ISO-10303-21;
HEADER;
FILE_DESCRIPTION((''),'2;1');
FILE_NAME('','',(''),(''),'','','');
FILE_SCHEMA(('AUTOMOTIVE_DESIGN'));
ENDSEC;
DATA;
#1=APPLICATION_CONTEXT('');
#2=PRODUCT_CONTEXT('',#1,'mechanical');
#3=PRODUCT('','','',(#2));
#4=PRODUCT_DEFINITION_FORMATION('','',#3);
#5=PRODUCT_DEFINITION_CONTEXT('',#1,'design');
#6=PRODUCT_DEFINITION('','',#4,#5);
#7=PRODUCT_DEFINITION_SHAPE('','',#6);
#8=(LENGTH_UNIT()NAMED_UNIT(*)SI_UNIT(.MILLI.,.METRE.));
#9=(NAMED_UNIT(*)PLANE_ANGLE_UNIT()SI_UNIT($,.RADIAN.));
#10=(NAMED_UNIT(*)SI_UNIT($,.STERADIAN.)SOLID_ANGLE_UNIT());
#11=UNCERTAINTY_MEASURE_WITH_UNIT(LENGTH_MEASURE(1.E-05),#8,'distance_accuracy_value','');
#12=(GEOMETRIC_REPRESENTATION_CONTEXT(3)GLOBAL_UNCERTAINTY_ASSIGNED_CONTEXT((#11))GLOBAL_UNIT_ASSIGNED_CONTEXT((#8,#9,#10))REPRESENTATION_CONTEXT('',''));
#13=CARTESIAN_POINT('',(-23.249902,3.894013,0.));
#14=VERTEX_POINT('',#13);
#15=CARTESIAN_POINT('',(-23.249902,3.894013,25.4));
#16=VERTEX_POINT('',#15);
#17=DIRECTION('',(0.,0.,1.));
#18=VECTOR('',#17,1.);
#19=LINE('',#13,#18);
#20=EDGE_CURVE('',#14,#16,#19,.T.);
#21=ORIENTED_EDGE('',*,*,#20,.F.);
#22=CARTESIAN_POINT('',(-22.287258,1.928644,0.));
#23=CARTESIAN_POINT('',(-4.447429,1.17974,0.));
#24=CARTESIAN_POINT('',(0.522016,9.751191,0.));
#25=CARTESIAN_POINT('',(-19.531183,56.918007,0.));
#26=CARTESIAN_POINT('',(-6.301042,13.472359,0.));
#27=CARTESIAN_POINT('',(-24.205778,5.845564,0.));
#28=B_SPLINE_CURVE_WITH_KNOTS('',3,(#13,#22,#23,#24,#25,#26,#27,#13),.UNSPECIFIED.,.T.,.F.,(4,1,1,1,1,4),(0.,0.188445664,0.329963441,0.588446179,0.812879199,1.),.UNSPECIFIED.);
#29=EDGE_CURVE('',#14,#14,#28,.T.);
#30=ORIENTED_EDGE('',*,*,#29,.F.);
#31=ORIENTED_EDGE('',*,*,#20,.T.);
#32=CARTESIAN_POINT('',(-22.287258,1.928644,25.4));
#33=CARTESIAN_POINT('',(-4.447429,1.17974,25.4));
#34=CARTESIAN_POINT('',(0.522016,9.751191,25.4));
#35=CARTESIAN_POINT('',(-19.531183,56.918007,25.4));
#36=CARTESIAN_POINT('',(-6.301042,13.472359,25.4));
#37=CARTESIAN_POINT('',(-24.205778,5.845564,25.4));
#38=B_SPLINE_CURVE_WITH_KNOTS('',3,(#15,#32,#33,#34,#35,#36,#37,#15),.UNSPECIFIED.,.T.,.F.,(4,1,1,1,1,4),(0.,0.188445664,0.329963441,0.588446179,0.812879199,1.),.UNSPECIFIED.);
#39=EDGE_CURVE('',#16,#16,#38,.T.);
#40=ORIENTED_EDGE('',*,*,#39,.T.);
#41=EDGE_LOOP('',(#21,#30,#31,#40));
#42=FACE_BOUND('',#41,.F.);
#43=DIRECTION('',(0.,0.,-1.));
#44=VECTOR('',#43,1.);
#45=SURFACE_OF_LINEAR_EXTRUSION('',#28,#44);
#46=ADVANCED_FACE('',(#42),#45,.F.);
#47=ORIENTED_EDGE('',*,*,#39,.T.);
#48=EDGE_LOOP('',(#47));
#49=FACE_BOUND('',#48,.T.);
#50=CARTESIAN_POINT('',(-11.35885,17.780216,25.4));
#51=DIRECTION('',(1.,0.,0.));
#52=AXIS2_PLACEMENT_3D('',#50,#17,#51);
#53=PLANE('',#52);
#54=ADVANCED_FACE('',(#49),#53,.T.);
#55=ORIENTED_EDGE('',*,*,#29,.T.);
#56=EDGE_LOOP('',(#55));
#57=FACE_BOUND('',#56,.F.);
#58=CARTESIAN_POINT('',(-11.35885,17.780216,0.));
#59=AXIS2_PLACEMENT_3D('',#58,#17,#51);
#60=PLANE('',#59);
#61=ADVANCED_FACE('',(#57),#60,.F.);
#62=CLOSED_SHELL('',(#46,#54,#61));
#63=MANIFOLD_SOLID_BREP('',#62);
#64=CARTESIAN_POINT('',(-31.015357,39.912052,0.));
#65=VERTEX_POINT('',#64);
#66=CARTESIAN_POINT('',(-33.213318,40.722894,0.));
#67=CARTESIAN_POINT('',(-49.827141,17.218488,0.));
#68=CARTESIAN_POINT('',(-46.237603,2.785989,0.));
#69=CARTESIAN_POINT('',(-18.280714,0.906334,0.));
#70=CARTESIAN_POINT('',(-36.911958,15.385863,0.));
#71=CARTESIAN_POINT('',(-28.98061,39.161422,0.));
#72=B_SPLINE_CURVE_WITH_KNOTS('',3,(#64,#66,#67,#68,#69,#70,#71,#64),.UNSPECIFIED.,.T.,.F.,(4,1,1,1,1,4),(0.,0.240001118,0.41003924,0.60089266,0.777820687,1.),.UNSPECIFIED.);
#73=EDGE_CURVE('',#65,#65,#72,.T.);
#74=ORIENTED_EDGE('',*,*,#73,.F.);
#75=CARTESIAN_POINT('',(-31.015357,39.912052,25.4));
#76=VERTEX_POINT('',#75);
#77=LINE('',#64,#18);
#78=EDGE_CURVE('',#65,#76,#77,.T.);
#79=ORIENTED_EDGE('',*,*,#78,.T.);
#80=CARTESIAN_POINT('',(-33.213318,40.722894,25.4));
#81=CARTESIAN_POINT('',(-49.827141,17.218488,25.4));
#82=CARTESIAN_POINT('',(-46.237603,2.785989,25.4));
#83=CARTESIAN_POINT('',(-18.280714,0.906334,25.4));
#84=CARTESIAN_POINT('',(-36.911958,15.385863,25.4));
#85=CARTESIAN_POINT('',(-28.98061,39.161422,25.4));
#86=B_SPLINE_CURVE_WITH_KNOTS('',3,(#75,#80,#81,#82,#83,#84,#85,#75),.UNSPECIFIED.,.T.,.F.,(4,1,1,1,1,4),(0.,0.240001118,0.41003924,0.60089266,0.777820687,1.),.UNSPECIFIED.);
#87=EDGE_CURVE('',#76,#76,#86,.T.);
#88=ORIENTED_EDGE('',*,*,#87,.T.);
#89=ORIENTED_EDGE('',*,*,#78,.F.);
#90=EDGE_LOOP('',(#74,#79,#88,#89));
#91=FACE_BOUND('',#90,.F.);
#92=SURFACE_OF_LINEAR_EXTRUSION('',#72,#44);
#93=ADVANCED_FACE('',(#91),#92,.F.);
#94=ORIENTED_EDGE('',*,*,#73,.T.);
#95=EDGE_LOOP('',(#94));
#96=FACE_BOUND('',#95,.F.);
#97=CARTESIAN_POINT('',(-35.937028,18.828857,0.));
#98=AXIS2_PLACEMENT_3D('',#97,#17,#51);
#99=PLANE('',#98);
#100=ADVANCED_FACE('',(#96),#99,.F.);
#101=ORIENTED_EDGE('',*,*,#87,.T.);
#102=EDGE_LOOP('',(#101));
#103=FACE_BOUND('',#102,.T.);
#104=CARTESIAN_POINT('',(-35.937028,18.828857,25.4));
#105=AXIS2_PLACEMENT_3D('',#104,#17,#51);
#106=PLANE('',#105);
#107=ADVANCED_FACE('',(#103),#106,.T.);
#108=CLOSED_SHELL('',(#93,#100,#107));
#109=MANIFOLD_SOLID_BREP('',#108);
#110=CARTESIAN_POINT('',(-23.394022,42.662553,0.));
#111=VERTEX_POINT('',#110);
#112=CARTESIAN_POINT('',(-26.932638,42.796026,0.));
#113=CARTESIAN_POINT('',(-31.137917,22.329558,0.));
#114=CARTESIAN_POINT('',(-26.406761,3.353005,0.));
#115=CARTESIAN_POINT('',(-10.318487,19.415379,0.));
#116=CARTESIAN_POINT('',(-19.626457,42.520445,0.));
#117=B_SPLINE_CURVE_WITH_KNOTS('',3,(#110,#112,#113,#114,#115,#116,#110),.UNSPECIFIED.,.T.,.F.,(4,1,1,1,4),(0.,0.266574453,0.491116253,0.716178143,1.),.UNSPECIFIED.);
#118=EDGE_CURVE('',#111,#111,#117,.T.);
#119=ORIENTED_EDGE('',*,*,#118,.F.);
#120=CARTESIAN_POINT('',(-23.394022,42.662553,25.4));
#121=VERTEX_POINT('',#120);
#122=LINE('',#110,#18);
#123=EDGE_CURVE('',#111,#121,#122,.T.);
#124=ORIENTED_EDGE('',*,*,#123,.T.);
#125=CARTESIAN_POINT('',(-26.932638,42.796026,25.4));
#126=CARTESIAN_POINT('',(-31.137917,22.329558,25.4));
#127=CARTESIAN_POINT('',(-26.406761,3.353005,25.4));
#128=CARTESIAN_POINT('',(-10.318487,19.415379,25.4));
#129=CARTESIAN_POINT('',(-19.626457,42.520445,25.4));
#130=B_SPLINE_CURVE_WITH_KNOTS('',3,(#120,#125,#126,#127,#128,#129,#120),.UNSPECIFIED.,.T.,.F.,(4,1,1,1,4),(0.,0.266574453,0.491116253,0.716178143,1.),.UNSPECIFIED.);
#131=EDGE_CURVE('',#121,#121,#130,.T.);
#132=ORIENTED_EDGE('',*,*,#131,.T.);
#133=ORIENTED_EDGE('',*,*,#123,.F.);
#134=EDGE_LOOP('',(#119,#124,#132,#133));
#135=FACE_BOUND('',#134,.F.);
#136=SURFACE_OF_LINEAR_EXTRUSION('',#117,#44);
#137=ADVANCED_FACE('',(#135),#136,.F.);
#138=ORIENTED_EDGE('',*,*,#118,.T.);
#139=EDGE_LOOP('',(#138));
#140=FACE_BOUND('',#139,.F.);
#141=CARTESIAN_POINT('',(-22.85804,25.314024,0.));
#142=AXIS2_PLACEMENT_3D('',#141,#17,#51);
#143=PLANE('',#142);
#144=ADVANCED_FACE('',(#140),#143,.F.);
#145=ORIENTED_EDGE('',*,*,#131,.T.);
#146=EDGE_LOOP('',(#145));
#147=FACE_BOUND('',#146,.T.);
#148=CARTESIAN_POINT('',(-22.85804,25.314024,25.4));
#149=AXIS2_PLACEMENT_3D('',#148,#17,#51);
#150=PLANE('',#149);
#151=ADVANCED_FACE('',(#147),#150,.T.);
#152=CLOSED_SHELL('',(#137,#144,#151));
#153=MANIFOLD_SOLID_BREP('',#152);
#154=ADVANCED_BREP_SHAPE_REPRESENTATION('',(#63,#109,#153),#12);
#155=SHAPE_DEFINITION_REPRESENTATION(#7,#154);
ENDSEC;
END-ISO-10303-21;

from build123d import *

# Parameters (mm, degrees)
F1_DEPTH = 25.4


with BuildPart() as f1:
    # F0 (on Top) → F1 (new body)
    with BuildSketch(Plane.XY):
        with BuildLine():
            add(Edge.make_bspline(
                [(-31.0153570026, 39.9120524526), (-33.2133179088, 40.7228936818), (-49.8271410166, 17.2184879313), (-46.2376026828, 2.7859893194), (-18.280714287, 0.9063337624), (-36.9119578396, 15.38586348), (-28.9806104677, 39.1614220037), (-31.0153570026, 39.9120524526)],
                knots=[0, 0, 0, 0, 0.240001118, 0.4100392402, 0.60089266, 0.7778206874, 1, 1, 1, 1], degree=3))
        make_face()
    extrude(amount=F1_DEPTH)


with BuildPart() as f1b:
    # F0 (on Top) → F1, piece 2 (new body)
    with BuildSketch(Plane.XY):
        with BuildLine():
            add(Edge.make_bspline(
                [(-23.2499018312, 3.8940126542), (-22.2872581851, 1.9286439757), (-4.447428919, 1.1797400498), (0.5220155642, 9.7511910213), (-19.5311825387, 56.9180070383), (-6.3010416193, 13.4723585869), (-24.2057776347, 5.8455638565), (-23.2499018312, 3.8940126542)],
                knots=[0, 0, 0, 0, 0.1884456642, 0.329963441, 0.5884461792, 0.8128791985, 1, 1, 1, 1], degree=3))
        make_face()
    extrude(amount=F1_DEPTH)


with BuildPart() as f1c:
    # F0 (on Top) → F1, piece 3 (new body)
    with BuildSketch(Plane.XY):
        with BuildLine():
            add(Edge.make_bspline(
                [(-23.3940221369, 42.6625534892), (-26.9326384115, 42.796026182), (-31.1379170635, 22.3295576829), (-26.4067608395, 3.3530047886), (-10.3184868084, 19.4153787719), (-19.6264569075, 42.5204450951), (-23.3940221369, 42.6625534892)],
                knots=[0, 0, 0, 0, 0.2665744533, 0.4911162528, 0.7161781433, 1, 1, 1, 1], degree=3))
        make_face()
    extrude(amount=F1_DEPTH)


solid = Compound([f1.part, f1b.part, f1c.part])
